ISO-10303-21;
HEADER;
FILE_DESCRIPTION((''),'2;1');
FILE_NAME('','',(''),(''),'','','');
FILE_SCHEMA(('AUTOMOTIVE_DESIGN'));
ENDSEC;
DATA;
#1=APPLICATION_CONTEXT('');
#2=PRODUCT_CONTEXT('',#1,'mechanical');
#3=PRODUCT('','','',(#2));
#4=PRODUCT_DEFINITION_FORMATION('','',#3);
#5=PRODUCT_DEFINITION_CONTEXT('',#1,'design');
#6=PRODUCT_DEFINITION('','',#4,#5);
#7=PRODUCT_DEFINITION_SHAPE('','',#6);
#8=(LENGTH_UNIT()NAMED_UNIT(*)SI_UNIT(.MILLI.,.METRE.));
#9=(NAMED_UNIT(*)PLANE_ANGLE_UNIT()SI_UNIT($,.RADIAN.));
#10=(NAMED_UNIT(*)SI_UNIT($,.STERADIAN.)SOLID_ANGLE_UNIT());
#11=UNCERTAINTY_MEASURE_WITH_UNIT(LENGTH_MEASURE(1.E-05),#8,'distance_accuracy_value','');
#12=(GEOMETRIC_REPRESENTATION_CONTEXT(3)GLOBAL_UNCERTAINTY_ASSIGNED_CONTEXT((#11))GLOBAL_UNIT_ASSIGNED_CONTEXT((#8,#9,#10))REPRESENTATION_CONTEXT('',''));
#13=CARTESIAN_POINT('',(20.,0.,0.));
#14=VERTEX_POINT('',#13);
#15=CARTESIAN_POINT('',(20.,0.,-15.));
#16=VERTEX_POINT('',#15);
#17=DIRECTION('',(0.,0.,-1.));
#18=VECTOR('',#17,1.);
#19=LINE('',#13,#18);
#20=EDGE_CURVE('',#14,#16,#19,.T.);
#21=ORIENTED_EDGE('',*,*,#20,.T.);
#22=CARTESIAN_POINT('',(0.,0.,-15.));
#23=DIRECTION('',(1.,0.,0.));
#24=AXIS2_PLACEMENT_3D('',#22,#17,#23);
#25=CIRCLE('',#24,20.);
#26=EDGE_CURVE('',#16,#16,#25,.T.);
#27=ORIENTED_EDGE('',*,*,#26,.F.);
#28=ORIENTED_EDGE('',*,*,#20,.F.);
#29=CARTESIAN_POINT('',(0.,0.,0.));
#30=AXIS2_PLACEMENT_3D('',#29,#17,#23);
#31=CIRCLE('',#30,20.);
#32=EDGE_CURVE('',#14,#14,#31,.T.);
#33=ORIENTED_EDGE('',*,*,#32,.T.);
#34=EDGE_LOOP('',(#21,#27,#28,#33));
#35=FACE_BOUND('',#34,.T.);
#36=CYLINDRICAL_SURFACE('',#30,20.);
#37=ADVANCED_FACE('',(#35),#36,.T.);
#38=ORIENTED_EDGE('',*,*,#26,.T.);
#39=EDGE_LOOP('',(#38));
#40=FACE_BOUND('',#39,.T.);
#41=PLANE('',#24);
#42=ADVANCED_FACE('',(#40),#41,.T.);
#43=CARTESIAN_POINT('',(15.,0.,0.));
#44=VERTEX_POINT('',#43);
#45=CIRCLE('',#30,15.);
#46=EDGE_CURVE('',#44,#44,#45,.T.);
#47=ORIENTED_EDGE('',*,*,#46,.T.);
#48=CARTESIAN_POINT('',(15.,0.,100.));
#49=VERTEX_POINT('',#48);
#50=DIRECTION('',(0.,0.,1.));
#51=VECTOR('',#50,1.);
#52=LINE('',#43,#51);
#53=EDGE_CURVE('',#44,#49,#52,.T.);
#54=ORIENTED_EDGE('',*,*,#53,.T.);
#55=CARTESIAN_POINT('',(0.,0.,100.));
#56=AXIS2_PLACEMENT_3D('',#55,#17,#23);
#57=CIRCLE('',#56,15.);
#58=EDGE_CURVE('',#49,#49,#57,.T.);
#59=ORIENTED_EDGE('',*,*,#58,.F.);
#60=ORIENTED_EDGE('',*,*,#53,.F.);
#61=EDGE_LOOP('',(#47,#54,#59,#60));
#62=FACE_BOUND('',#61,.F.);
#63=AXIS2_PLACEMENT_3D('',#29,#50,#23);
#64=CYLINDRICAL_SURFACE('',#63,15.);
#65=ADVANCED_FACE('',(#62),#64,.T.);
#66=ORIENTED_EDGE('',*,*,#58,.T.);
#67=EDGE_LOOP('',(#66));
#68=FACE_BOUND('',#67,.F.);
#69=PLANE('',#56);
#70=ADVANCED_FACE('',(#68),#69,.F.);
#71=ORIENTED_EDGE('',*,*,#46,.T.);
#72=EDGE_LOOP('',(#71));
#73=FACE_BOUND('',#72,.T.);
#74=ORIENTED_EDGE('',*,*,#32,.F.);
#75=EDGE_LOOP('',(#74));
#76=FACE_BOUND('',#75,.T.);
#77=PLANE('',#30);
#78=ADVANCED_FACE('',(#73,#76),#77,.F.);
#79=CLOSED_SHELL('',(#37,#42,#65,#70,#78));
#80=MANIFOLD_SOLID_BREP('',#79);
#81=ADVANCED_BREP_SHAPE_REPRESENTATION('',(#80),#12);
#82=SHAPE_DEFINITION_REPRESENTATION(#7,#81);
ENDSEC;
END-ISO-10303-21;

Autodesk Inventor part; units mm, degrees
ref_plane "YZ Plane" through (0, 0, 0) normal (1, 0, 0) x (0, 1, 0)
ref_plane "XZ Plane" through (0, 0, 0) normal (0, 1, 0) x (-1, 0, 0)
ref_plane "XY Plane" through (0, 0, 0) normal (0, 0, 1) x (1, 0, 0)
sketch "Sketch1" plane through (0, 0, 0) normal (0, 1, 0) x (-1, 0, 0)
  line L0 (0, 0) -> (-15, 0)
  line L1 (-15, 0) -> (-15, 100)
  line L2 (-15, 100) -> (0, 100)
  line L3 (0, 100) -> (0, 0)
  line L4 (0, 0) -> (-20, 0)
  line L5 (-20, 0) -> (-20, -15)
  line L6 (-20, -15) -> (0, -15)
  line L7 (0, -15) -> (0, 0)
  dimension "d0" = 15
  dimension "d1" = 100
  dimension "d2" = 20
  dimension "d3" = 15
revolve "Revolution1" add sketch "Sketch1" angle 360 about axis through (0, 0, 100) along (0, 0, -1)
properties part number "joint"
